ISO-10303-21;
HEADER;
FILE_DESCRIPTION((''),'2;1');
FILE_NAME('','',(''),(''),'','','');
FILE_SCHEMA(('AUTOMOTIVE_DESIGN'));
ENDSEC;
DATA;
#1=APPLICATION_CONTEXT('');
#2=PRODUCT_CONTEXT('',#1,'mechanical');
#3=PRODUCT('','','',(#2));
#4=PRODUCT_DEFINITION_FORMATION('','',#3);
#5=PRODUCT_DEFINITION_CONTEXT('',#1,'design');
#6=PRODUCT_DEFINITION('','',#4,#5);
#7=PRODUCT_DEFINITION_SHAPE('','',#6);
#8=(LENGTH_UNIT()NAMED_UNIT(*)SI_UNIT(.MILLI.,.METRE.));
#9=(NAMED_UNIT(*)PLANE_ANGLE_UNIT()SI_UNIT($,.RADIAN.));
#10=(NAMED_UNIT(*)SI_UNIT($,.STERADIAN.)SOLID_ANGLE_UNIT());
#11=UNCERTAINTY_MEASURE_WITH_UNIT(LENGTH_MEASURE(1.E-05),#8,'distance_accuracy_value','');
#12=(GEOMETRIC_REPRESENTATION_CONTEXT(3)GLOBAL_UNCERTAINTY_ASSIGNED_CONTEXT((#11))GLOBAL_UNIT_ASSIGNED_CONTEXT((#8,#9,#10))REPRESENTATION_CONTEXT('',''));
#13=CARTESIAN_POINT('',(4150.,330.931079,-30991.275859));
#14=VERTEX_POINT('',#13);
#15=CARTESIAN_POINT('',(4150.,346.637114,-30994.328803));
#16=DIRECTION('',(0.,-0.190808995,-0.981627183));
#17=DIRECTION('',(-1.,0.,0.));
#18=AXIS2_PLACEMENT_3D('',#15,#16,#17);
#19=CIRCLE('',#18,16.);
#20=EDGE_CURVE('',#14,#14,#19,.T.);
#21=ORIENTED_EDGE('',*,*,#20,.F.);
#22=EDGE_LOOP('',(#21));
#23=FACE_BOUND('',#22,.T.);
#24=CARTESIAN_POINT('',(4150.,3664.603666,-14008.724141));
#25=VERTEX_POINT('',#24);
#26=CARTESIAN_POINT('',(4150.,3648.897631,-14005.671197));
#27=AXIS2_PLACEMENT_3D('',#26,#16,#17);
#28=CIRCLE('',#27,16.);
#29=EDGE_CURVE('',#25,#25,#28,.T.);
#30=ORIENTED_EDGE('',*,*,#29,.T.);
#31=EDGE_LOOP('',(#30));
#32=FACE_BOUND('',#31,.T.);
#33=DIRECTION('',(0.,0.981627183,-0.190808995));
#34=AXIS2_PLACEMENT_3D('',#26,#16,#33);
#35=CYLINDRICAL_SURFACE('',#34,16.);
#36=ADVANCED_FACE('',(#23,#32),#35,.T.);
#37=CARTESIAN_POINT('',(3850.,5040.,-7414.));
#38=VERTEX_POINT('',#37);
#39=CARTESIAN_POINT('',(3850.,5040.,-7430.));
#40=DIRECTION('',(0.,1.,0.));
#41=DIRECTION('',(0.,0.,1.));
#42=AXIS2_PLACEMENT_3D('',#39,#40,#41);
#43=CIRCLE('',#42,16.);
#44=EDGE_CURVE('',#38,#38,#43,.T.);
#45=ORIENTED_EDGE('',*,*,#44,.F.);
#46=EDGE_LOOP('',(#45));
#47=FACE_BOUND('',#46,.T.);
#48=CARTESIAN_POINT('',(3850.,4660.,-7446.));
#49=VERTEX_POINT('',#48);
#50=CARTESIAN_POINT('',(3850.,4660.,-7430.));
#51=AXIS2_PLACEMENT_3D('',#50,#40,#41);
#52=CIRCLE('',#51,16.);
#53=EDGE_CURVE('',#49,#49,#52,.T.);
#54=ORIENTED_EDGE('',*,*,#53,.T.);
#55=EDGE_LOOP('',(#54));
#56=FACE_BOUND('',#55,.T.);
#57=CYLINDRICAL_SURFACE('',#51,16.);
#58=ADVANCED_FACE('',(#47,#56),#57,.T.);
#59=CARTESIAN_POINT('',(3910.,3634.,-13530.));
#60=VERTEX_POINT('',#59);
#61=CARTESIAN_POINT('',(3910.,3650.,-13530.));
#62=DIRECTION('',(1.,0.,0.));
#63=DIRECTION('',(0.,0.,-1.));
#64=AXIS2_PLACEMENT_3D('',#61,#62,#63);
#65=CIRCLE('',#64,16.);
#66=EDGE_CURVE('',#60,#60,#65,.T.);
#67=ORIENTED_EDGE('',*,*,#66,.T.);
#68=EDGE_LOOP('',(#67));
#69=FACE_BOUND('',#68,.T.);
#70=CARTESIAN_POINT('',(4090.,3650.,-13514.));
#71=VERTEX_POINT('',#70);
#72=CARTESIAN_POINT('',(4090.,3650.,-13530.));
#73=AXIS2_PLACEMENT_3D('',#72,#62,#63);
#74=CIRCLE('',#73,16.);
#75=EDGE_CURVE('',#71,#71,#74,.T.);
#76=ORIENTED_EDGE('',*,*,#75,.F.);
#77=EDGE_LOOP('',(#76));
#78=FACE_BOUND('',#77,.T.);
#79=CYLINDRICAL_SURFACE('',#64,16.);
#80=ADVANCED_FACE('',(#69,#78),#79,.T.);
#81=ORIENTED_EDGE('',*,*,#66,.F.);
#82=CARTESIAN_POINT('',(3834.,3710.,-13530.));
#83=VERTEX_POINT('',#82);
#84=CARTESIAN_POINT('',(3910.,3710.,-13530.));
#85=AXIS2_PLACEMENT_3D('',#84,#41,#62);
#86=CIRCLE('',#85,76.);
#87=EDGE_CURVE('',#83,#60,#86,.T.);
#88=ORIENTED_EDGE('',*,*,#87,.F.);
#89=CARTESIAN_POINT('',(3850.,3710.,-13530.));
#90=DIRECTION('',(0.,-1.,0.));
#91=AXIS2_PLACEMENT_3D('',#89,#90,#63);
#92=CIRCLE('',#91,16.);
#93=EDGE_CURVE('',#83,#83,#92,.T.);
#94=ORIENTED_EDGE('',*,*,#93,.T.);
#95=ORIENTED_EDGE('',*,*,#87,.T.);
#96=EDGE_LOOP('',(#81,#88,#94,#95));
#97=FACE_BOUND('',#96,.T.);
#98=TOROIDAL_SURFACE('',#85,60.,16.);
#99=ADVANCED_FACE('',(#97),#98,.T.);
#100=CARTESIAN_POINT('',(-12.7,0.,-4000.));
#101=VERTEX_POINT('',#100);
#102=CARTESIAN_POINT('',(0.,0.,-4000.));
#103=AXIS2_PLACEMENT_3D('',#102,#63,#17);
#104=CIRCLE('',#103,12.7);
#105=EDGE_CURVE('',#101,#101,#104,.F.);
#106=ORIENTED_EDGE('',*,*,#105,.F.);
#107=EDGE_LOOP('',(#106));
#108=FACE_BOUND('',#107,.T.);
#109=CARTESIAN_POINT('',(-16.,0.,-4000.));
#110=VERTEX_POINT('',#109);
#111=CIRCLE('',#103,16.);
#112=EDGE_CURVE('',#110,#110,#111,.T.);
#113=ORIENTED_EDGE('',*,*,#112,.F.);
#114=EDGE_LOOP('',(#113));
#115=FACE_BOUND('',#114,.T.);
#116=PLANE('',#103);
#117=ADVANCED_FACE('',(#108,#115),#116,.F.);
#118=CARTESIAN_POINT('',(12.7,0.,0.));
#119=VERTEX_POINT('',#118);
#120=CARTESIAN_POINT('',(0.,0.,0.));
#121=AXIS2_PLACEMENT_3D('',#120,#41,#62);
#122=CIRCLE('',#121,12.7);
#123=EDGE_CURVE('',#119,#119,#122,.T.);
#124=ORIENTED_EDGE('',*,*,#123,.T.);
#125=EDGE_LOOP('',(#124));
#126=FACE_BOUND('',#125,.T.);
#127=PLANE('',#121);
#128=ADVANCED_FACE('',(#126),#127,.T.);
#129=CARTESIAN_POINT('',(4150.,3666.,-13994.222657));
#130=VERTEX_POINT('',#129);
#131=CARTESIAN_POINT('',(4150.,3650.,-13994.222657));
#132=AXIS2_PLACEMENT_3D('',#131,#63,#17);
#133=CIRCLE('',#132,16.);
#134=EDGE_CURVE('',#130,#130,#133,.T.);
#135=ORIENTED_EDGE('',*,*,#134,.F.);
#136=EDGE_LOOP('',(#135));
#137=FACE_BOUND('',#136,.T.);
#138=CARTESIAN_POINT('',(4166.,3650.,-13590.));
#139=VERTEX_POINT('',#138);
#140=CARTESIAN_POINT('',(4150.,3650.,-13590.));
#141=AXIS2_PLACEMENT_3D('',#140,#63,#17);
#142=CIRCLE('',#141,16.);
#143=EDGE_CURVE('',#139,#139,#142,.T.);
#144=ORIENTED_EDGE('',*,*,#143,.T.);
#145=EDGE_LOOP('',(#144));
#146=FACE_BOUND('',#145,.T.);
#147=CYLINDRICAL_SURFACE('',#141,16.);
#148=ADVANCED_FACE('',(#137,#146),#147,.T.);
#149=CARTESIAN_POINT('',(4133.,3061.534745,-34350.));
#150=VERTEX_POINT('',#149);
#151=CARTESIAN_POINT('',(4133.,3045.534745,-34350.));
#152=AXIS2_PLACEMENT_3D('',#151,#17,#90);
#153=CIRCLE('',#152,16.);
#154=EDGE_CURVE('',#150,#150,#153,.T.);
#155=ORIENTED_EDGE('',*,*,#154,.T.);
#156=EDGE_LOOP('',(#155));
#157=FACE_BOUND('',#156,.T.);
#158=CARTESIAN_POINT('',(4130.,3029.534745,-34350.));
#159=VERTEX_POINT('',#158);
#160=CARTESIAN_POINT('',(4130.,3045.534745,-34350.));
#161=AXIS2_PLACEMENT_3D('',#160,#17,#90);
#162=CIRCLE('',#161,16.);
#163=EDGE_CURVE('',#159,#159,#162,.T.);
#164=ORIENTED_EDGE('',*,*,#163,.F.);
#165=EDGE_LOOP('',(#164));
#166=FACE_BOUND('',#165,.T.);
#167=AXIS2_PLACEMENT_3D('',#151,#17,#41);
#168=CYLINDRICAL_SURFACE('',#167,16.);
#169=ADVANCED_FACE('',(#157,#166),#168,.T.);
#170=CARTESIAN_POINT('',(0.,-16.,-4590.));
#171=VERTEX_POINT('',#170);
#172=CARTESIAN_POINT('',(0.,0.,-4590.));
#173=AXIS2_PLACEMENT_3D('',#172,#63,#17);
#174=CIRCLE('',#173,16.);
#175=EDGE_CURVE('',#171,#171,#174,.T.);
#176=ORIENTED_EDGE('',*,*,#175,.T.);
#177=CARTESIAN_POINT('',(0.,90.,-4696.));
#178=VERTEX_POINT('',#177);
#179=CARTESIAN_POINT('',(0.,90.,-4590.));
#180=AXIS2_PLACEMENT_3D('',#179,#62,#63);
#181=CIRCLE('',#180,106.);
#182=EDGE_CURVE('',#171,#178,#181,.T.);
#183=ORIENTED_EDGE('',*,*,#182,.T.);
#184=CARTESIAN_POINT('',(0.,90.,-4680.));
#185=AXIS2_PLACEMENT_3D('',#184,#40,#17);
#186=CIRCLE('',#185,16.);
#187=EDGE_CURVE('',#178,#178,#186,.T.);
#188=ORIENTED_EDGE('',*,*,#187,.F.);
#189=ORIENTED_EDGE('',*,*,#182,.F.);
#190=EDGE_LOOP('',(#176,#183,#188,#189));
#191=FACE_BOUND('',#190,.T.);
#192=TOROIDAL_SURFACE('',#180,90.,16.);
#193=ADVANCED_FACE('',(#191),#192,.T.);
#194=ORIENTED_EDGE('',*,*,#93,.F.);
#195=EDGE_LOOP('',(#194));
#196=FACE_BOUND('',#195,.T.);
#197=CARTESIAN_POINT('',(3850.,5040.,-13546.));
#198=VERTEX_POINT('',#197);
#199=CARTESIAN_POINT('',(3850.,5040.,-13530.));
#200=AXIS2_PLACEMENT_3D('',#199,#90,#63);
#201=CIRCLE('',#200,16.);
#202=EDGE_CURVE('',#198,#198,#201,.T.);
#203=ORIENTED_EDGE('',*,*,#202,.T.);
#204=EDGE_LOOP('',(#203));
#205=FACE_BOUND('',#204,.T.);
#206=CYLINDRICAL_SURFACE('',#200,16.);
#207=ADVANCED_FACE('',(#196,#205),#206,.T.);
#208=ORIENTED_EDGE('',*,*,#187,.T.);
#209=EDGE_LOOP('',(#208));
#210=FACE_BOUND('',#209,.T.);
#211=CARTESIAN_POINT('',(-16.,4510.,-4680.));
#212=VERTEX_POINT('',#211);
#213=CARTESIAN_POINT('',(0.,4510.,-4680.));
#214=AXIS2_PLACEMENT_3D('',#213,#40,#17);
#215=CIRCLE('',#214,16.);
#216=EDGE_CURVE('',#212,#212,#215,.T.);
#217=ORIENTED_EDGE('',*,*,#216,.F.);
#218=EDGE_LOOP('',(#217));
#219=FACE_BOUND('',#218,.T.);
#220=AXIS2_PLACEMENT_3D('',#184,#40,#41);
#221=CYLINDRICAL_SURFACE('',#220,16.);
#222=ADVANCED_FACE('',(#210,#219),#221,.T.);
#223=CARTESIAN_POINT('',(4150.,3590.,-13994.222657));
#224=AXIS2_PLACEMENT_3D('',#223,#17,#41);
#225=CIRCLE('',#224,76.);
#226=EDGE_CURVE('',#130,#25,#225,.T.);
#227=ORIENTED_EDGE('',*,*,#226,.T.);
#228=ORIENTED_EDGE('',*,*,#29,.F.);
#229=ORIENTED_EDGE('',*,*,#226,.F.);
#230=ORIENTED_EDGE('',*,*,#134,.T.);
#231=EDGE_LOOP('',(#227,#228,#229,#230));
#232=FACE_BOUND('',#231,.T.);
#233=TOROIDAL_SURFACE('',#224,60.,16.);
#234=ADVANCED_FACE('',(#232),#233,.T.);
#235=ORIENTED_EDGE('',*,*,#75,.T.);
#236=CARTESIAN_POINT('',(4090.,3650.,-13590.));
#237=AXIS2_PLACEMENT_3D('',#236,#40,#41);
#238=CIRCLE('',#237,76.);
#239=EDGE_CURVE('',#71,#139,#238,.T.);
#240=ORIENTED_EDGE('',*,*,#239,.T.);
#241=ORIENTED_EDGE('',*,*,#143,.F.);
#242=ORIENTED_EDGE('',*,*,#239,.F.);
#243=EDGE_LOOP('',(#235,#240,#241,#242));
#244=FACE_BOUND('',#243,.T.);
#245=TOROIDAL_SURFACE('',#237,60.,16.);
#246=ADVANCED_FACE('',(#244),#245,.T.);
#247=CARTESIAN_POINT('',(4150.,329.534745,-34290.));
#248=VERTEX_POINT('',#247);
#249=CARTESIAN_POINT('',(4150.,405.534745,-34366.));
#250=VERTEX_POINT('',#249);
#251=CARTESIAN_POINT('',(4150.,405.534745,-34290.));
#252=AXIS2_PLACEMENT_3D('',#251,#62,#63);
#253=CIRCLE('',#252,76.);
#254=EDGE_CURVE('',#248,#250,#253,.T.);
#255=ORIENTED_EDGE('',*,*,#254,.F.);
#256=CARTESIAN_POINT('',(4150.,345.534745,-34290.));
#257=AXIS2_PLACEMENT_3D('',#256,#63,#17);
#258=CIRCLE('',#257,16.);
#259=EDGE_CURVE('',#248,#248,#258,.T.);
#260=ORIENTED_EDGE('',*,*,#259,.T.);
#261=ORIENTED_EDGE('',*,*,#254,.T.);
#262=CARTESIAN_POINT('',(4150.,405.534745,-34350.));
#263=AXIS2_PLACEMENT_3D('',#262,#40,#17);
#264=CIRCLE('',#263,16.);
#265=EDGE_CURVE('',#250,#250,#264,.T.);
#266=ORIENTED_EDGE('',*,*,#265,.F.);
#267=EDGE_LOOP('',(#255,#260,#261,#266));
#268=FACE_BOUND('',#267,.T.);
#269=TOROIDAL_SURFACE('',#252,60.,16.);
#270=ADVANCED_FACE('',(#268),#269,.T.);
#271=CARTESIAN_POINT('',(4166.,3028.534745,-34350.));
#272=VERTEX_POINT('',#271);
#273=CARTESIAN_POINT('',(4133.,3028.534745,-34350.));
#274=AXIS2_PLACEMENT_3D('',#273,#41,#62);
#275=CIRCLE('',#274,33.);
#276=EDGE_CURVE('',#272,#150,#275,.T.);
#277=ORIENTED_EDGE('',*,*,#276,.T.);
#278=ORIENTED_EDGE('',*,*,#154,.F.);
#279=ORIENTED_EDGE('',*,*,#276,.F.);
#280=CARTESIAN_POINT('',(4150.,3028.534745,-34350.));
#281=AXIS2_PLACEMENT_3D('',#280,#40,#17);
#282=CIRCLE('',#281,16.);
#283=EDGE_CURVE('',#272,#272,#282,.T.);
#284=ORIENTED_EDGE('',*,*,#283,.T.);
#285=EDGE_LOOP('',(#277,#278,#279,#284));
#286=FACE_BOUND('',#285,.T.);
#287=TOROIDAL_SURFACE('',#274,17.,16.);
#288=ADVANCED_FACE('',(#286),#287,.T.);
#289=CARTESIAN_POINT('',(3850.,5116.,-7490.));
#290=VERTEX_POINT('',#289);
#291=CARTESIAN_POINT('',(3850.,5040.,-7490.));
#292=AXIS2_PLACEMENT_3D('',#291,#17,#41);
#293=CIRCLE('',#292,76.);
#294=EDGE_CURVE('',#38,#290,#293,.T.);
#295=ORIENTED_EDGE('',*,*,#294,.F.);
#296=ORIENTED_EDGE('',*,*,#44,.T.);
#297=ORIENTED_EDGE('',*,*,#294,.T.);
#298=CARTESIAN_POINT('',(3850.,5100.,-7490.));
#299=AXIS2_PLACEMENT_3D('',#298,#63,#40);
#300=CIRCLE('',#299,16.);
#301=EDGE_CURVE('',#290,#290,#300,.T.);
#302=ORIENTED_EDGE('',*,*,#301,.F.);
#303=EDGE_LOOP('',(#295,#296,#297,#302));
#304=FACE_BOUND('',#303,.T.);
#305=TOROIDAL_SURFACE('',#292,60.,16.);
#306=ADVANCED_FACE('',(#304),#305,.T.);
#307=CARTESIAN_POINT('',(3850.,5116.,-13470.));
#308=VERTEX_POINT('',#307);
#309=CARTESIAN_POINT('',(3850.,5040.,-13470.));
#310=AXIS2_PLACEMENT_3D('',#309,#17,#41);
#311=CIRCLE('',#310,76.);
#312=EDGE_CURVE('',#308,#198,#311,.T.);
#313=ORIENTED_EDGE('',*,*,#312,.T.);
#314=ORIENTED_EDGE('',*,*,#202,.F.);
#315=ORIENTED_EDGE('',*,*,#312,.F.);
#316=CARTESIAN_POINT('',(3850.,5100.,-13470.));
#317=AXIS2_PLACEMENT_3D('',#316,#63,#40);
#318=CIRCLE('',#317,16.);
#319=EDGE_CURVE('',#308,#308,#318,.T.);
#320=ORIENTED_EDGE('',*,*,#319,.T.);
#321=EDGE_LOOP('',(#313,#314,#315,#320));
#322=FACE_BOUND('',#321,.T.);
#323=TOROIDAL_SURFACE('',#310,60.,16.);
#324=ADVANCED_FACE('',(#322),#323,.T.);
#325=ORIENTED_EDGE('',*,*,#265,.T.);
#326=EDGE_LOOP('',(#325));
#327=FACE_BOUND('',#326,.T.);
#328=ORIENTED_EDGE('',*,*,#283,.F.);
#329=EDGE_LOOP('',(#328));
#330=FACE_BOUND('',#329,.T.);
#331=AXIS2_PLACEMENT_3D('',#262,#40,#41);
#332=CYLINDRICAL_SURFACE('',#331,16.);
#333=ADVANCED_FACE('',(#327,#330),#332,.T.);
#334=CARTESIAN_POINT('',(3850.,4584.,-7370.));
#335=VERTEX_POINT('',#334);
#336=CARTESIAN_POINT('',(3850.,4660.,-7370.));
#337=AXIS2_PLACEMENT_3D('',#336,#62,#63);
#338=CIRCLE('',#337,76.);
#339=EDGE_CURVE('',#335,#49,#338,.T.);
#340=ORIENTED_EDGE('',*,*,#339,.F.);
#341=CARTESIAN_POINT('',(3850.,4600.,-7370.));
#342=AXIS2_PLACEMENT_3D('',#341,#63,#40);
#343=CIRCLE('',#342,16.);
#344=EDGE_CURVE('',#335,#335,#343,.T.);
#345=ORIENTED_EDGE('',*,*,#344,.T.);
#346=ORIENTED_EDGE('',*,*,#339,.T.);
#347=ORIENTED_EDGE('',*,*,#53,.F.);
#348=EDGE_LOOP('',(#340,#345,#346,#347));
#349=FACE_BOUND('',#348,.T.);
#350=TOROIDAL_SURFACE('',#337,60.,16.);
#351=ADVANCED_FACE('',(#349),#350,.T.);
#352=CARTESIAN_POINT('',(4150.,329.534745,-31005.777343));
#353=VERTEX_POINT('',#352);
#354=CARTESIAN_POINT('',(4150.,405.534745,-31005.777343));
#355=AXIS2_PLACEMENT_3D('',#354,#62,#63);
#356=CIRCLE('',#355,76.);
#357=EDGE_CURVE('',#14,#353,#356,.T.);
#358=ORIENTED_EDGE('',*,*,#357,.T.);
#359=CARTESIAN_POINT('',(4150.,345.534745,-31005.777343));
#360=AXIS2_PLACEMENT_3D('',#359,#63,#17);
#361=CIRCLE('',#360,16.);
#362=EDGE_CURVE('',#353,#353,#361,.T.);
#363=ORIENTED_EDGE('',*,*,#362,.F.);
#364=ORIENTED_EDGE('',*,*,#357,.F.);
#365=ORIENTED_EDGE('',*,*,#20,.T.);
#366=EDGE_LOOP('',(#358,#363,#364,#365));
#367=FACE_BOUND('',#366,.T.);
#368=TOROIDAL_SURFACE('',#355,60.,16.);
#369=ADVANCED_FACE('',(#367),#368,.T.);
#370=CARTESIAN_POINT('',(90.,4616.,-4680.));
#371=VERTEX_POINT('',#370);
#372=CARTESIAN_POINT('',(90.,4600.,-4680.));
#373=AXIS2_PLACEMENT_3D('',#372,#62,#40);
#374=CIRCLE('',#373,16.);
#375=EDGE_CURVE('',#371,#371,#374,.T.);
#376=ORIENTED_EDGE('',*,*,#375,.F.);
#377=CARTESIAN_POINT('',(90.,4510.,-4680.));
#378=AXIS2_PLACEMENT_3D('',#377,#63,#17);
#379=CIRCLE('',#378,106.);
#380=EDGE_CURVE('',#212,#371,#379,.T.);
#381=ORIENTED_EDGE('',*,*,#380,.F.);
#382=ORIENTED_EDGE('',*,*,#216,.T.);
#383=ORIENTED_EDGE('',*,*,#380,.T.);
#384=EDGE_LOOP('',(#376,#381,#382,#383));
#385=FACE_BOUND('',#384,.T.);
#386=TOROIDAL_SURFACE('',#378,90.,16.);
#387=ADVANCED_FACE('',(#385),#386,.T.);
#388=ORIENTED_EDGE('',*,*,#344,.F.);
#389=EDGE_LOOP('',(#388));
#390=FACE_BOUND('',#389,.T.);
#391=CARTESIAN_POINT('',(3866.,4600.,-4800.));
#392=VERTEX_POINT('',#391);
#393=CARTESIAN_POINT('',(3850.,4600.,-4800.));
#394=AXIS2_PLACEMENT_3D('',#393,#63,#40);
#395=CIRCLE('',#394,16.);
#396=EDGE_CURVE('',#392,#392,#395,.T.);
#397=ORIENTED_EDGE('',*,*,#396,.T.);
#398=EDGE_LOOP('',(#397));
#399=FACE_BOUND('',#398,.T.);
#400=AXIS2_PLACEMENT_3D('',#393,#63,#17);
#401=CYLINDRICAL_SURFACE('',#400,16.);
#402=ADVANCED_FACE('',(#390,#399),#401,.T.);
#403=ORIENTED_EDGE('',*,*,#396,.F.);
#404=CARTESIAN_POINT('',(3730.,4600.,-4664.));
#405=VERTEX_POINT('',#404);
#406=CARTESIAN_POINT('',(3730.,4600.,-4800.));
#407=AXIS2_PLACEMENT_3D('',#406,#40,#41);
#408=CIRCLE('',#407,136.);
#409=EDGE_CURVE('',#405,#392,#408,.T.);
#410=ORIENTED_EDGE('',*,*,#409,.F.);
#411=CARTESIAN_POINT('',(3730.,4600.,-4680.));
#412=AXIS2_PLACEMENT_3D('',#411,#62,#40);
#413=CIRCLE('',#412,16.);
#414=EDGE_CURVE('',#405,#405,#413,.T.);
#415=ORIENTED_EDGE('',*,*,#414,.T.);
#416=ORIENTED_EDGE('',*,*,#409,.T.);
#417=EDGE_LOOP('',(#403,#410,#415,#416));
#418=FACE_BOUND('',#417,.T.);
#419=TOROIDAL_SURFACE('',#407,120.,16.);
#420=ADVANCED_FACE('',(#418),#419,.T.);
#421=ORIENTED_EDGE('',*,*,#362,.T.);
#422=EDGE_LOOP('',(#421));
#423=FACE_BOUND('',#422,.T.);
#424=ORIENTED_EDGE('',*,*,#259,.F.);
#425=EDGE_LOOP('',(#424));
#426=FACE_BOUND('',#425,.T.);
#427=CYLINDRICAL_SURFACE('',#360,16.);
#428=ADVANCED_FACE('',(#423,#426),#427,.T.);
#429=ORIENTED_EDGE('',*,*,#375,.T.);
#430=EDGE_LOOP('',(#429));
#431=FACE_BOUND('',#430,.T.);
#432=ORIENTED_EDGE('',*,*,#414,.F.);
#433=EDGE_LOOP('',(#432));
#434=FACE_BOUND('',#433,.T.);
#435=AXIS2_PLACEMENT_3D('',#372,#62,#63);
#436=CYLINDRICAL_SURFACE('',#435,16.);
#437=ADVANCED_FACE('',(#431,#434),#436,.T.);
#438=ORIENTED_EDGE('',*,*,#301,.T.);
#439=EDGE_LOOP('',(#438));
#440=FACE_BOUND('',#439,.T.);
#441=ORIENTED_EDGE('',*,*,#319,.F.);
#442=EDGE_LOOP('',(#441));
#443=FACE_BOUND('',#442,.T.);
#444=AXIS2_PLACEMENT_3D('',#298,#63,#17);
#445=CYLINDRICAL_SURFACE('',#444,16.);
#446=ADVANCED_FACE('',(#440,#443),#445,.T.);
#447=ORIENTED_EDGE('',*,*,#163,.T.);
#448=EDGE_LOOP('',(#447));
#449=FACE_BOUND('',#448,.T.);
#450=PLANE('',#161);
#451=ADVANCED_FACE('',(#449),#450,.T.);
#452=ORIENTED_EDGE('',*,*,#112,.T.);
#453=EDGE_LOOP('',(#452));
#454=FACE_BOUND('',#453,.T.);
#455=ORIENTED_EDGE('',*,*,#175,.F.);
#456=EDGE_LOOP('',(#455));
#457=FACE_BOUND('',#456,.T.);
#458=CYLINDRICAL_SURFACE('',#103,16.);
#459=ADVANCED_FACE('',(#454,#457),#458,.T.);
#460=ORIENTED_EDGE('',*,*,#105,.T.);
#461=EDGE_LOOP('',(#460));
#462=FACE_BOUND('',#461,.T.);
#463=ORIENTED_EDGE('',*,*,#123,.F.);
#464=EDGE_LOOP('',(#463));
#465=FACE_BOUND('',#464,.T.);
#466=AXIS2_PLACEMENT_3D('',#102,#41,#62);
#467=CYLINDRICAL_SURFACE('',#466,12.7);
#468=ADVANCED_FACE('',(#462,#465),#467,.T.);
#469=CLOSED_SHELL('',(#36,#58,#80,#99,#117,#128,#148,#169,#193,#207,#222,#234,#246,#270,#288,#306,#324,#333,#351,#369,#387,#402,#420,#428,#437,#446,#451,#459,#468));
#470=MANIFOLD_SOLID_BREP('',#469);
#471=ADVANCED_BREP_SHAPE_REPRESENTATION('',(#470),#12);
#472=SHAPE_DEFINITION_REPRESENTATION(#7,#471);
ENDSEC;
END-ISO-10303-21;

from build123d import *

# Parameters (mm, degrees)
CROQUIS1_R              = 12.7
SALIENTE_EXTRUIR1_DEPTH = 4000
CROQUIS4_R              = 16


with BuildPart() as part:
    # Croquis1 → Saliente-Extruir1 (new body)
    with BuildSketch(Plane.XY):
        Circle(CROQUIS1_R)
    extrude(amount=-SALIENTE_EXTRUIR1_DEPTH)

    # Barrer4: sweep along a curve in space
    with BuildLine() as barrer4_path:
        Line((0, 0, -4000), (0, 0, -4590))
        ThreePointArc((0, 0, -4590), (0, 26.360389693, -4653.639610307), (0, 90, -4680))
        Line((0, 90, -4680), (0, 4510, -4680))
        ThreePointArc((0, 4510, -4680), (26.360389693, 4573.639610307, -4680), (90, 4600, -4680))
        Line((90, 4600, -4680), (3730, 4600, -4680))
        ThreePointArc((3730, 4600, -4680), (3814.852813742, 4600, -4715.147186258), (3850, 4600, -4800))
        Line((3850, 4600, -4800), (3850, 4600, -7370))
        ThreePointArc((3850, 4600, -7370), (3850, 4617.573593129, -7412.426406871), (3850, 4660, -7430))
        Line((3850, 4660, -7430), (3850, 5040, -7430))
        ThreePointArc((3850, 5040, -7430), (3850, 5082.426406871, -7447.573593129), (3850, 5100, -7490))
        Line((3850, 5100, -7490), (3850, 5100, -13470))
        ThreePointArc((3850, 5100, -13470), (3850, 5082.426406871, -13512.426406871), (3850, 5040, -13530))
        Line((3850, 5040, -13530), (3850, 3710, -13530))
        ThreePointArc((3850, 3710, -13530), (3867.573593129, 3667.573593129, -13530), (3910, 3650, -13530))
        Line((3910, 3650, -13530), (4090, 3650, -13530))
        ThreePointArc((4090, 3650, -13530), (4132.426406871, 3650, -13547.573593129), (4150, 3650, -13590))
        Line((4150, 3650, -13590), (4150, 3650, -13994.222657108))
        ThreePointArc((4150, 3650, -13994.222657108), (4150, 3649.723771902, -13999.973402259), (4150, 3648.897631007, -14005.671196831))
        Line((4150, 3648.897631007, -14005.671196831), (4150, 346.637113652, -30994.328803169))
        ThreePointArc((4150, 345.534744659, -31005.777342892), (4150, 345.810972757, -31000.026597741), (4150, 346.637113652, -30994.328803169))
        Line((4150, 345.534744659, -31005.777342892), (4150, 345.534744659, -34290))
        ThreePointArc((4150, 345.534744659, -34290), (4150, 363.108337788, -34332.426406871), (4150, 405.534744659, -34350))
        Line((4150, 405.534744659, -34350), (4150, 3028.534744659, -34350))
        ThreePointArc((4150, 3028.534744659, -34350), (4145.02081528, 3040.555559939, -34350), (4133, 3045.534744659, -34350))
        Line((4133, 3045.534744659, -34350), (4130, 3045.534744659, -34350))
    # Croquis4 → Barrer4 (sweep)
    with BuildSketch(Plane(origin=(0, 0, -4000), x_dir=(-1, 0, 0), z_dir=(0, 0, -1))):
        Circle(CROQUIS4_R)
    sweep(path=barrer4_path.line)


solid = part.part
